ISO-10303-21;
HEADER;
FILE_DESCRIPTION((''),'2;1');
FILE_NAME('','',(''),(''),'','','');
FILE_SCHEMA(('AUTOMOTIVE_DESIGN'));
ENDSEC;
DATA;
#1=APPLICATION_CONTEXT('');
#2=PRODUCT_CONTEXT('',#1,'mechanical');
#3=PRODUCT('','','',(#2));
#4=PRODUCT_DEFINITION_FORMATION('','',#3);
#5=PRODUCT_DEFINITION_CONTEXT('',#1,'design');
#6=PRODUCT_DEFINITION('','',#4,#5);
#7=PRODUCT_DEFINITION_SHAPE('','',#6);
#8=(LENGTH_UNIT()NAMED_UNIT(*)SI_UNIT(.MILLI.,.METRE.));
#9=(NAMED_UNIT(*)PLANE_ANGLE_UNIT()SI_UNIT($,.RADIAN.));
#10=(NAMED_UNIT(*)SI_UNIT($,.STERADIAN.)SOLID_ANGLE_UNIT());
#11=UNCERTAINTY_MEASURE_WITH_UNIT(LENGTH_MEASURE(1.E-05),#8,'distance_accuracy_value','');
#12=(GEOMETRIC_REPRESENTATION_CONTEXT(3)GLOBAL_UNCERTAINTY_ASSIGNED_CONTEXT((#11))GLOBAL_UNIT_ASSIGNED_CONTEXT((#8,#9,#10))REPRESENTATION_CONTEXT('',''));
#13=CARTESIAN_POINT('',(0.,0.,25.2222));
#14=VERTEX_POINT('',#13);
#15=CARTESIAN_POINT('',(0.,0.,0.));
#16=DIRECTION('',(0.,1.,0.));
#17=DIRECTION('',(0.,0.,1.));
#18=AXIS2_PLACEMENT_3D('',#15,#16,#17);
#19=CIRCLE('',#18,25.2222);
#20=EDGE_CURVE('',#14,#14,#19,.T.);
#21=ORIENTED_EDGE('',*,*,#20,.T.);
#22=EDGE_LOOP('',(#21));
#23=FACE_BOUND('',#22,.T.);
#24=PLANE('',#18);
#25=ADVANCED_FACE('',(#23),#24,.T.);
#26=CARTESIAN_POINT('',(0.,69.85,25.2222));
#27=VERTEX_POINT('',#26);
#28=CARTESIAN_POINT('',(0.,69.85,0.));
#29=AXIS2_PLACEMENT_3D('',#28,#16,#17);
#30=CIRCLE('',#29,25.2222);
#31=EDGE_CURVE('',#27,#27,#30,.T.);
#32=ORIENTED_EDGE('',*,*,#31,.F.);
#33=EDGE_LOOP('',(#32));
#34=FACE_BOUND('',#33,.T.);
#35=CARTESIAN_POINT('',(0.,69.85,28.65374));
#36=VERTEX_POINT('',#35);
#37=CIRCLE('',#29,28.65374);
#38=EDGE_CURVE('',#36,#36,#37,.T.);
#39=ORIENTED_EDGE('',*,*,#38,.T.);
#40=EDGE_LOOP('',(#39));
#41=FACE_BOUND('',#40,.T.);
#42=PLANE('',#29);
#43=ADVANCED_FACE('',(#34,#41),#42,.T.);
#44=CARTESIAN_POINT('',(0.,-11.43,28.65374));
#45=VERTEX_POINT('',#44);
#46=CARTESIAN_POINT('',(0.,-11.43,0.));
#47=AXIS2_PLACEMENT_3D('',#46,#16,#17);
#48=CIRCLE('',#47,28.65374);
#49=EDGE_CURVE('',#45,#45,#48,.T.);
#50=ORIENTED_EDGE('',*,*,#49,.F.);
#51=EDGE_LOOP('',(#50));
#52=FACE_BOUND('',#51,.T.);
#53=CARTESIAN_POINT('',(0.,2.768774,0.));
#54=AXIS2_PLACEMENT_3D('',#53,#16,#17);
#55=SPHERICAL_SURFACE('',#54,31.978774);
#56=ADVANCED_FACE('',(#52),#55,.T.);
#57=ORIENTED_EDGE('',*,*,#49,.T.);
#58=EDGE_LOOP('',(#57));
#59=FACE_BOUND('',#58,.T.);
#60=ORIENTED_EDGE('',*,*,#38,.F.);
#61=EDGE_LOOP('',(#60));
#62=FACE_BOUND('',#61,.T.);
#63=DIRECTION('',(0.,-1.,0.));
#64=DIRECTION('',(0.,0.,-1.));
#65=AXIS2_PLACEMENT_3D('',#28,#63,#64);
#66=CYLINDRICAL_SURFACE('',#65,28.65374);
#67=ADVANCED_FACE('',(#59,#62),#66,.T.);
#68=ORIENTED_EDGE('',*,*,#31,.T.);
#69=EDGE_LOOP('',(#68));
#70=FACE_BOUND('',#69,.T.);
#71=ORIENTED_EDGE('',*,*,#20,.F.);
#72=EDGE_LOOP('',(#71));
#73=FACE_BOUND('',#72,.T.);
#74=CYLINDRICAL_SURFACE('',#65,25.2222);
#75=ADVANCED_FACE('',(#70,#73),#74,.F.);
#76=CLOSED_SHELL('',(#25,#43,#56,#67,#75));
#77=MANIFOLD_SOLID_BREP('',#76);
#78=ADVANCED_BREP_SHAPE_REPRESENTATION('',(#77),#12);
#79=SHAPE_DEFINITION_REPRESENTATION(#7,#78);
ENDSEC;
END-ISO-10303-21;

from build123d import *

# Parameters (mm, degrees)
SKETCH1_R           = 28.65374
SKETCH1_R_2         = 25.2222
BOSS_EXTRUDE1_DEPTH = 69.85
SKETCH1_3_R         = 28.65374
SKETCH1_3_R_2       = 25.2222
BOSS_EXTRUDE2_DEPTH = 11.43
DOME1_FACE_RADIUS   = 28.65374
DOME1_HEIGHT        = 17.78


with BuildPart() as part:
    # Sketch1 → Boss-Extrude1 (new body)
    with BuildSketch(Plane(origin=(0, 0, 0), x_dir=(1, 0, 0), z_dir=(0, 1, 0))):
        with Locations(Location((0, 0, 0), (0, 0, 270))):
            Circle(SKETCH1_R)
        with Locations(Location((0, 0, 0), (0, 0, 270))):
            Circle(SKETCH1_R_2, mode=Mode.SUBTRACT)
    extrude(amount=BOSS_EXTRUDE1_DEPTH)

    # Sketch1<3> → Boss-Extrude2 (add)
    with BuildSketch(Plane(origin=(0, 0, 0), x_dir=(1, 0, 0), z_dir=(0, 1, 0))):
        with Locations(Location((0, 0, 0), (0, 0, 270))):
            Circle(SKETCH1_3_R)
        with Locations(Location((0, 0, 0), (0, 0, 270))):
            Circle(SKETCH1_3_R_2, mode=Mode.SUBTRACT)
        with Locations(Location((0, 0, 0), (0, 0, 270))):
            Circle(SKETCH1_3_R_2)
    extrude(amount=-BOSS_EXTRUDE2_DEPTH)

    # Dome1: a dome of height H over a round flat face of radius A is a cap of a sphere of radius (A * A + H * H) / (2 * H)
    dome1_r = (DOME1_FACE_RADIUS * DOME1_FACE_RADIUS + DOME1_HEIGHT * DOME1_HEIGHT) / (2 * DOME1_HEIGHT)
    dome1_base = Plane((0, -11.43, 0), z_dir=(0, -1, 0))
    with Locations(dome1_base.offset(DOME1_HEIGHT - dome1_r)):
        dome1_ball = Sphere(dome1_r, mode=Mode.PRIVATE)
    add(split(dome1_ball, bisect_by=dome1_base, keep=Keep.TOP, mode=Mode.PRIVATE))


solid = part.part
